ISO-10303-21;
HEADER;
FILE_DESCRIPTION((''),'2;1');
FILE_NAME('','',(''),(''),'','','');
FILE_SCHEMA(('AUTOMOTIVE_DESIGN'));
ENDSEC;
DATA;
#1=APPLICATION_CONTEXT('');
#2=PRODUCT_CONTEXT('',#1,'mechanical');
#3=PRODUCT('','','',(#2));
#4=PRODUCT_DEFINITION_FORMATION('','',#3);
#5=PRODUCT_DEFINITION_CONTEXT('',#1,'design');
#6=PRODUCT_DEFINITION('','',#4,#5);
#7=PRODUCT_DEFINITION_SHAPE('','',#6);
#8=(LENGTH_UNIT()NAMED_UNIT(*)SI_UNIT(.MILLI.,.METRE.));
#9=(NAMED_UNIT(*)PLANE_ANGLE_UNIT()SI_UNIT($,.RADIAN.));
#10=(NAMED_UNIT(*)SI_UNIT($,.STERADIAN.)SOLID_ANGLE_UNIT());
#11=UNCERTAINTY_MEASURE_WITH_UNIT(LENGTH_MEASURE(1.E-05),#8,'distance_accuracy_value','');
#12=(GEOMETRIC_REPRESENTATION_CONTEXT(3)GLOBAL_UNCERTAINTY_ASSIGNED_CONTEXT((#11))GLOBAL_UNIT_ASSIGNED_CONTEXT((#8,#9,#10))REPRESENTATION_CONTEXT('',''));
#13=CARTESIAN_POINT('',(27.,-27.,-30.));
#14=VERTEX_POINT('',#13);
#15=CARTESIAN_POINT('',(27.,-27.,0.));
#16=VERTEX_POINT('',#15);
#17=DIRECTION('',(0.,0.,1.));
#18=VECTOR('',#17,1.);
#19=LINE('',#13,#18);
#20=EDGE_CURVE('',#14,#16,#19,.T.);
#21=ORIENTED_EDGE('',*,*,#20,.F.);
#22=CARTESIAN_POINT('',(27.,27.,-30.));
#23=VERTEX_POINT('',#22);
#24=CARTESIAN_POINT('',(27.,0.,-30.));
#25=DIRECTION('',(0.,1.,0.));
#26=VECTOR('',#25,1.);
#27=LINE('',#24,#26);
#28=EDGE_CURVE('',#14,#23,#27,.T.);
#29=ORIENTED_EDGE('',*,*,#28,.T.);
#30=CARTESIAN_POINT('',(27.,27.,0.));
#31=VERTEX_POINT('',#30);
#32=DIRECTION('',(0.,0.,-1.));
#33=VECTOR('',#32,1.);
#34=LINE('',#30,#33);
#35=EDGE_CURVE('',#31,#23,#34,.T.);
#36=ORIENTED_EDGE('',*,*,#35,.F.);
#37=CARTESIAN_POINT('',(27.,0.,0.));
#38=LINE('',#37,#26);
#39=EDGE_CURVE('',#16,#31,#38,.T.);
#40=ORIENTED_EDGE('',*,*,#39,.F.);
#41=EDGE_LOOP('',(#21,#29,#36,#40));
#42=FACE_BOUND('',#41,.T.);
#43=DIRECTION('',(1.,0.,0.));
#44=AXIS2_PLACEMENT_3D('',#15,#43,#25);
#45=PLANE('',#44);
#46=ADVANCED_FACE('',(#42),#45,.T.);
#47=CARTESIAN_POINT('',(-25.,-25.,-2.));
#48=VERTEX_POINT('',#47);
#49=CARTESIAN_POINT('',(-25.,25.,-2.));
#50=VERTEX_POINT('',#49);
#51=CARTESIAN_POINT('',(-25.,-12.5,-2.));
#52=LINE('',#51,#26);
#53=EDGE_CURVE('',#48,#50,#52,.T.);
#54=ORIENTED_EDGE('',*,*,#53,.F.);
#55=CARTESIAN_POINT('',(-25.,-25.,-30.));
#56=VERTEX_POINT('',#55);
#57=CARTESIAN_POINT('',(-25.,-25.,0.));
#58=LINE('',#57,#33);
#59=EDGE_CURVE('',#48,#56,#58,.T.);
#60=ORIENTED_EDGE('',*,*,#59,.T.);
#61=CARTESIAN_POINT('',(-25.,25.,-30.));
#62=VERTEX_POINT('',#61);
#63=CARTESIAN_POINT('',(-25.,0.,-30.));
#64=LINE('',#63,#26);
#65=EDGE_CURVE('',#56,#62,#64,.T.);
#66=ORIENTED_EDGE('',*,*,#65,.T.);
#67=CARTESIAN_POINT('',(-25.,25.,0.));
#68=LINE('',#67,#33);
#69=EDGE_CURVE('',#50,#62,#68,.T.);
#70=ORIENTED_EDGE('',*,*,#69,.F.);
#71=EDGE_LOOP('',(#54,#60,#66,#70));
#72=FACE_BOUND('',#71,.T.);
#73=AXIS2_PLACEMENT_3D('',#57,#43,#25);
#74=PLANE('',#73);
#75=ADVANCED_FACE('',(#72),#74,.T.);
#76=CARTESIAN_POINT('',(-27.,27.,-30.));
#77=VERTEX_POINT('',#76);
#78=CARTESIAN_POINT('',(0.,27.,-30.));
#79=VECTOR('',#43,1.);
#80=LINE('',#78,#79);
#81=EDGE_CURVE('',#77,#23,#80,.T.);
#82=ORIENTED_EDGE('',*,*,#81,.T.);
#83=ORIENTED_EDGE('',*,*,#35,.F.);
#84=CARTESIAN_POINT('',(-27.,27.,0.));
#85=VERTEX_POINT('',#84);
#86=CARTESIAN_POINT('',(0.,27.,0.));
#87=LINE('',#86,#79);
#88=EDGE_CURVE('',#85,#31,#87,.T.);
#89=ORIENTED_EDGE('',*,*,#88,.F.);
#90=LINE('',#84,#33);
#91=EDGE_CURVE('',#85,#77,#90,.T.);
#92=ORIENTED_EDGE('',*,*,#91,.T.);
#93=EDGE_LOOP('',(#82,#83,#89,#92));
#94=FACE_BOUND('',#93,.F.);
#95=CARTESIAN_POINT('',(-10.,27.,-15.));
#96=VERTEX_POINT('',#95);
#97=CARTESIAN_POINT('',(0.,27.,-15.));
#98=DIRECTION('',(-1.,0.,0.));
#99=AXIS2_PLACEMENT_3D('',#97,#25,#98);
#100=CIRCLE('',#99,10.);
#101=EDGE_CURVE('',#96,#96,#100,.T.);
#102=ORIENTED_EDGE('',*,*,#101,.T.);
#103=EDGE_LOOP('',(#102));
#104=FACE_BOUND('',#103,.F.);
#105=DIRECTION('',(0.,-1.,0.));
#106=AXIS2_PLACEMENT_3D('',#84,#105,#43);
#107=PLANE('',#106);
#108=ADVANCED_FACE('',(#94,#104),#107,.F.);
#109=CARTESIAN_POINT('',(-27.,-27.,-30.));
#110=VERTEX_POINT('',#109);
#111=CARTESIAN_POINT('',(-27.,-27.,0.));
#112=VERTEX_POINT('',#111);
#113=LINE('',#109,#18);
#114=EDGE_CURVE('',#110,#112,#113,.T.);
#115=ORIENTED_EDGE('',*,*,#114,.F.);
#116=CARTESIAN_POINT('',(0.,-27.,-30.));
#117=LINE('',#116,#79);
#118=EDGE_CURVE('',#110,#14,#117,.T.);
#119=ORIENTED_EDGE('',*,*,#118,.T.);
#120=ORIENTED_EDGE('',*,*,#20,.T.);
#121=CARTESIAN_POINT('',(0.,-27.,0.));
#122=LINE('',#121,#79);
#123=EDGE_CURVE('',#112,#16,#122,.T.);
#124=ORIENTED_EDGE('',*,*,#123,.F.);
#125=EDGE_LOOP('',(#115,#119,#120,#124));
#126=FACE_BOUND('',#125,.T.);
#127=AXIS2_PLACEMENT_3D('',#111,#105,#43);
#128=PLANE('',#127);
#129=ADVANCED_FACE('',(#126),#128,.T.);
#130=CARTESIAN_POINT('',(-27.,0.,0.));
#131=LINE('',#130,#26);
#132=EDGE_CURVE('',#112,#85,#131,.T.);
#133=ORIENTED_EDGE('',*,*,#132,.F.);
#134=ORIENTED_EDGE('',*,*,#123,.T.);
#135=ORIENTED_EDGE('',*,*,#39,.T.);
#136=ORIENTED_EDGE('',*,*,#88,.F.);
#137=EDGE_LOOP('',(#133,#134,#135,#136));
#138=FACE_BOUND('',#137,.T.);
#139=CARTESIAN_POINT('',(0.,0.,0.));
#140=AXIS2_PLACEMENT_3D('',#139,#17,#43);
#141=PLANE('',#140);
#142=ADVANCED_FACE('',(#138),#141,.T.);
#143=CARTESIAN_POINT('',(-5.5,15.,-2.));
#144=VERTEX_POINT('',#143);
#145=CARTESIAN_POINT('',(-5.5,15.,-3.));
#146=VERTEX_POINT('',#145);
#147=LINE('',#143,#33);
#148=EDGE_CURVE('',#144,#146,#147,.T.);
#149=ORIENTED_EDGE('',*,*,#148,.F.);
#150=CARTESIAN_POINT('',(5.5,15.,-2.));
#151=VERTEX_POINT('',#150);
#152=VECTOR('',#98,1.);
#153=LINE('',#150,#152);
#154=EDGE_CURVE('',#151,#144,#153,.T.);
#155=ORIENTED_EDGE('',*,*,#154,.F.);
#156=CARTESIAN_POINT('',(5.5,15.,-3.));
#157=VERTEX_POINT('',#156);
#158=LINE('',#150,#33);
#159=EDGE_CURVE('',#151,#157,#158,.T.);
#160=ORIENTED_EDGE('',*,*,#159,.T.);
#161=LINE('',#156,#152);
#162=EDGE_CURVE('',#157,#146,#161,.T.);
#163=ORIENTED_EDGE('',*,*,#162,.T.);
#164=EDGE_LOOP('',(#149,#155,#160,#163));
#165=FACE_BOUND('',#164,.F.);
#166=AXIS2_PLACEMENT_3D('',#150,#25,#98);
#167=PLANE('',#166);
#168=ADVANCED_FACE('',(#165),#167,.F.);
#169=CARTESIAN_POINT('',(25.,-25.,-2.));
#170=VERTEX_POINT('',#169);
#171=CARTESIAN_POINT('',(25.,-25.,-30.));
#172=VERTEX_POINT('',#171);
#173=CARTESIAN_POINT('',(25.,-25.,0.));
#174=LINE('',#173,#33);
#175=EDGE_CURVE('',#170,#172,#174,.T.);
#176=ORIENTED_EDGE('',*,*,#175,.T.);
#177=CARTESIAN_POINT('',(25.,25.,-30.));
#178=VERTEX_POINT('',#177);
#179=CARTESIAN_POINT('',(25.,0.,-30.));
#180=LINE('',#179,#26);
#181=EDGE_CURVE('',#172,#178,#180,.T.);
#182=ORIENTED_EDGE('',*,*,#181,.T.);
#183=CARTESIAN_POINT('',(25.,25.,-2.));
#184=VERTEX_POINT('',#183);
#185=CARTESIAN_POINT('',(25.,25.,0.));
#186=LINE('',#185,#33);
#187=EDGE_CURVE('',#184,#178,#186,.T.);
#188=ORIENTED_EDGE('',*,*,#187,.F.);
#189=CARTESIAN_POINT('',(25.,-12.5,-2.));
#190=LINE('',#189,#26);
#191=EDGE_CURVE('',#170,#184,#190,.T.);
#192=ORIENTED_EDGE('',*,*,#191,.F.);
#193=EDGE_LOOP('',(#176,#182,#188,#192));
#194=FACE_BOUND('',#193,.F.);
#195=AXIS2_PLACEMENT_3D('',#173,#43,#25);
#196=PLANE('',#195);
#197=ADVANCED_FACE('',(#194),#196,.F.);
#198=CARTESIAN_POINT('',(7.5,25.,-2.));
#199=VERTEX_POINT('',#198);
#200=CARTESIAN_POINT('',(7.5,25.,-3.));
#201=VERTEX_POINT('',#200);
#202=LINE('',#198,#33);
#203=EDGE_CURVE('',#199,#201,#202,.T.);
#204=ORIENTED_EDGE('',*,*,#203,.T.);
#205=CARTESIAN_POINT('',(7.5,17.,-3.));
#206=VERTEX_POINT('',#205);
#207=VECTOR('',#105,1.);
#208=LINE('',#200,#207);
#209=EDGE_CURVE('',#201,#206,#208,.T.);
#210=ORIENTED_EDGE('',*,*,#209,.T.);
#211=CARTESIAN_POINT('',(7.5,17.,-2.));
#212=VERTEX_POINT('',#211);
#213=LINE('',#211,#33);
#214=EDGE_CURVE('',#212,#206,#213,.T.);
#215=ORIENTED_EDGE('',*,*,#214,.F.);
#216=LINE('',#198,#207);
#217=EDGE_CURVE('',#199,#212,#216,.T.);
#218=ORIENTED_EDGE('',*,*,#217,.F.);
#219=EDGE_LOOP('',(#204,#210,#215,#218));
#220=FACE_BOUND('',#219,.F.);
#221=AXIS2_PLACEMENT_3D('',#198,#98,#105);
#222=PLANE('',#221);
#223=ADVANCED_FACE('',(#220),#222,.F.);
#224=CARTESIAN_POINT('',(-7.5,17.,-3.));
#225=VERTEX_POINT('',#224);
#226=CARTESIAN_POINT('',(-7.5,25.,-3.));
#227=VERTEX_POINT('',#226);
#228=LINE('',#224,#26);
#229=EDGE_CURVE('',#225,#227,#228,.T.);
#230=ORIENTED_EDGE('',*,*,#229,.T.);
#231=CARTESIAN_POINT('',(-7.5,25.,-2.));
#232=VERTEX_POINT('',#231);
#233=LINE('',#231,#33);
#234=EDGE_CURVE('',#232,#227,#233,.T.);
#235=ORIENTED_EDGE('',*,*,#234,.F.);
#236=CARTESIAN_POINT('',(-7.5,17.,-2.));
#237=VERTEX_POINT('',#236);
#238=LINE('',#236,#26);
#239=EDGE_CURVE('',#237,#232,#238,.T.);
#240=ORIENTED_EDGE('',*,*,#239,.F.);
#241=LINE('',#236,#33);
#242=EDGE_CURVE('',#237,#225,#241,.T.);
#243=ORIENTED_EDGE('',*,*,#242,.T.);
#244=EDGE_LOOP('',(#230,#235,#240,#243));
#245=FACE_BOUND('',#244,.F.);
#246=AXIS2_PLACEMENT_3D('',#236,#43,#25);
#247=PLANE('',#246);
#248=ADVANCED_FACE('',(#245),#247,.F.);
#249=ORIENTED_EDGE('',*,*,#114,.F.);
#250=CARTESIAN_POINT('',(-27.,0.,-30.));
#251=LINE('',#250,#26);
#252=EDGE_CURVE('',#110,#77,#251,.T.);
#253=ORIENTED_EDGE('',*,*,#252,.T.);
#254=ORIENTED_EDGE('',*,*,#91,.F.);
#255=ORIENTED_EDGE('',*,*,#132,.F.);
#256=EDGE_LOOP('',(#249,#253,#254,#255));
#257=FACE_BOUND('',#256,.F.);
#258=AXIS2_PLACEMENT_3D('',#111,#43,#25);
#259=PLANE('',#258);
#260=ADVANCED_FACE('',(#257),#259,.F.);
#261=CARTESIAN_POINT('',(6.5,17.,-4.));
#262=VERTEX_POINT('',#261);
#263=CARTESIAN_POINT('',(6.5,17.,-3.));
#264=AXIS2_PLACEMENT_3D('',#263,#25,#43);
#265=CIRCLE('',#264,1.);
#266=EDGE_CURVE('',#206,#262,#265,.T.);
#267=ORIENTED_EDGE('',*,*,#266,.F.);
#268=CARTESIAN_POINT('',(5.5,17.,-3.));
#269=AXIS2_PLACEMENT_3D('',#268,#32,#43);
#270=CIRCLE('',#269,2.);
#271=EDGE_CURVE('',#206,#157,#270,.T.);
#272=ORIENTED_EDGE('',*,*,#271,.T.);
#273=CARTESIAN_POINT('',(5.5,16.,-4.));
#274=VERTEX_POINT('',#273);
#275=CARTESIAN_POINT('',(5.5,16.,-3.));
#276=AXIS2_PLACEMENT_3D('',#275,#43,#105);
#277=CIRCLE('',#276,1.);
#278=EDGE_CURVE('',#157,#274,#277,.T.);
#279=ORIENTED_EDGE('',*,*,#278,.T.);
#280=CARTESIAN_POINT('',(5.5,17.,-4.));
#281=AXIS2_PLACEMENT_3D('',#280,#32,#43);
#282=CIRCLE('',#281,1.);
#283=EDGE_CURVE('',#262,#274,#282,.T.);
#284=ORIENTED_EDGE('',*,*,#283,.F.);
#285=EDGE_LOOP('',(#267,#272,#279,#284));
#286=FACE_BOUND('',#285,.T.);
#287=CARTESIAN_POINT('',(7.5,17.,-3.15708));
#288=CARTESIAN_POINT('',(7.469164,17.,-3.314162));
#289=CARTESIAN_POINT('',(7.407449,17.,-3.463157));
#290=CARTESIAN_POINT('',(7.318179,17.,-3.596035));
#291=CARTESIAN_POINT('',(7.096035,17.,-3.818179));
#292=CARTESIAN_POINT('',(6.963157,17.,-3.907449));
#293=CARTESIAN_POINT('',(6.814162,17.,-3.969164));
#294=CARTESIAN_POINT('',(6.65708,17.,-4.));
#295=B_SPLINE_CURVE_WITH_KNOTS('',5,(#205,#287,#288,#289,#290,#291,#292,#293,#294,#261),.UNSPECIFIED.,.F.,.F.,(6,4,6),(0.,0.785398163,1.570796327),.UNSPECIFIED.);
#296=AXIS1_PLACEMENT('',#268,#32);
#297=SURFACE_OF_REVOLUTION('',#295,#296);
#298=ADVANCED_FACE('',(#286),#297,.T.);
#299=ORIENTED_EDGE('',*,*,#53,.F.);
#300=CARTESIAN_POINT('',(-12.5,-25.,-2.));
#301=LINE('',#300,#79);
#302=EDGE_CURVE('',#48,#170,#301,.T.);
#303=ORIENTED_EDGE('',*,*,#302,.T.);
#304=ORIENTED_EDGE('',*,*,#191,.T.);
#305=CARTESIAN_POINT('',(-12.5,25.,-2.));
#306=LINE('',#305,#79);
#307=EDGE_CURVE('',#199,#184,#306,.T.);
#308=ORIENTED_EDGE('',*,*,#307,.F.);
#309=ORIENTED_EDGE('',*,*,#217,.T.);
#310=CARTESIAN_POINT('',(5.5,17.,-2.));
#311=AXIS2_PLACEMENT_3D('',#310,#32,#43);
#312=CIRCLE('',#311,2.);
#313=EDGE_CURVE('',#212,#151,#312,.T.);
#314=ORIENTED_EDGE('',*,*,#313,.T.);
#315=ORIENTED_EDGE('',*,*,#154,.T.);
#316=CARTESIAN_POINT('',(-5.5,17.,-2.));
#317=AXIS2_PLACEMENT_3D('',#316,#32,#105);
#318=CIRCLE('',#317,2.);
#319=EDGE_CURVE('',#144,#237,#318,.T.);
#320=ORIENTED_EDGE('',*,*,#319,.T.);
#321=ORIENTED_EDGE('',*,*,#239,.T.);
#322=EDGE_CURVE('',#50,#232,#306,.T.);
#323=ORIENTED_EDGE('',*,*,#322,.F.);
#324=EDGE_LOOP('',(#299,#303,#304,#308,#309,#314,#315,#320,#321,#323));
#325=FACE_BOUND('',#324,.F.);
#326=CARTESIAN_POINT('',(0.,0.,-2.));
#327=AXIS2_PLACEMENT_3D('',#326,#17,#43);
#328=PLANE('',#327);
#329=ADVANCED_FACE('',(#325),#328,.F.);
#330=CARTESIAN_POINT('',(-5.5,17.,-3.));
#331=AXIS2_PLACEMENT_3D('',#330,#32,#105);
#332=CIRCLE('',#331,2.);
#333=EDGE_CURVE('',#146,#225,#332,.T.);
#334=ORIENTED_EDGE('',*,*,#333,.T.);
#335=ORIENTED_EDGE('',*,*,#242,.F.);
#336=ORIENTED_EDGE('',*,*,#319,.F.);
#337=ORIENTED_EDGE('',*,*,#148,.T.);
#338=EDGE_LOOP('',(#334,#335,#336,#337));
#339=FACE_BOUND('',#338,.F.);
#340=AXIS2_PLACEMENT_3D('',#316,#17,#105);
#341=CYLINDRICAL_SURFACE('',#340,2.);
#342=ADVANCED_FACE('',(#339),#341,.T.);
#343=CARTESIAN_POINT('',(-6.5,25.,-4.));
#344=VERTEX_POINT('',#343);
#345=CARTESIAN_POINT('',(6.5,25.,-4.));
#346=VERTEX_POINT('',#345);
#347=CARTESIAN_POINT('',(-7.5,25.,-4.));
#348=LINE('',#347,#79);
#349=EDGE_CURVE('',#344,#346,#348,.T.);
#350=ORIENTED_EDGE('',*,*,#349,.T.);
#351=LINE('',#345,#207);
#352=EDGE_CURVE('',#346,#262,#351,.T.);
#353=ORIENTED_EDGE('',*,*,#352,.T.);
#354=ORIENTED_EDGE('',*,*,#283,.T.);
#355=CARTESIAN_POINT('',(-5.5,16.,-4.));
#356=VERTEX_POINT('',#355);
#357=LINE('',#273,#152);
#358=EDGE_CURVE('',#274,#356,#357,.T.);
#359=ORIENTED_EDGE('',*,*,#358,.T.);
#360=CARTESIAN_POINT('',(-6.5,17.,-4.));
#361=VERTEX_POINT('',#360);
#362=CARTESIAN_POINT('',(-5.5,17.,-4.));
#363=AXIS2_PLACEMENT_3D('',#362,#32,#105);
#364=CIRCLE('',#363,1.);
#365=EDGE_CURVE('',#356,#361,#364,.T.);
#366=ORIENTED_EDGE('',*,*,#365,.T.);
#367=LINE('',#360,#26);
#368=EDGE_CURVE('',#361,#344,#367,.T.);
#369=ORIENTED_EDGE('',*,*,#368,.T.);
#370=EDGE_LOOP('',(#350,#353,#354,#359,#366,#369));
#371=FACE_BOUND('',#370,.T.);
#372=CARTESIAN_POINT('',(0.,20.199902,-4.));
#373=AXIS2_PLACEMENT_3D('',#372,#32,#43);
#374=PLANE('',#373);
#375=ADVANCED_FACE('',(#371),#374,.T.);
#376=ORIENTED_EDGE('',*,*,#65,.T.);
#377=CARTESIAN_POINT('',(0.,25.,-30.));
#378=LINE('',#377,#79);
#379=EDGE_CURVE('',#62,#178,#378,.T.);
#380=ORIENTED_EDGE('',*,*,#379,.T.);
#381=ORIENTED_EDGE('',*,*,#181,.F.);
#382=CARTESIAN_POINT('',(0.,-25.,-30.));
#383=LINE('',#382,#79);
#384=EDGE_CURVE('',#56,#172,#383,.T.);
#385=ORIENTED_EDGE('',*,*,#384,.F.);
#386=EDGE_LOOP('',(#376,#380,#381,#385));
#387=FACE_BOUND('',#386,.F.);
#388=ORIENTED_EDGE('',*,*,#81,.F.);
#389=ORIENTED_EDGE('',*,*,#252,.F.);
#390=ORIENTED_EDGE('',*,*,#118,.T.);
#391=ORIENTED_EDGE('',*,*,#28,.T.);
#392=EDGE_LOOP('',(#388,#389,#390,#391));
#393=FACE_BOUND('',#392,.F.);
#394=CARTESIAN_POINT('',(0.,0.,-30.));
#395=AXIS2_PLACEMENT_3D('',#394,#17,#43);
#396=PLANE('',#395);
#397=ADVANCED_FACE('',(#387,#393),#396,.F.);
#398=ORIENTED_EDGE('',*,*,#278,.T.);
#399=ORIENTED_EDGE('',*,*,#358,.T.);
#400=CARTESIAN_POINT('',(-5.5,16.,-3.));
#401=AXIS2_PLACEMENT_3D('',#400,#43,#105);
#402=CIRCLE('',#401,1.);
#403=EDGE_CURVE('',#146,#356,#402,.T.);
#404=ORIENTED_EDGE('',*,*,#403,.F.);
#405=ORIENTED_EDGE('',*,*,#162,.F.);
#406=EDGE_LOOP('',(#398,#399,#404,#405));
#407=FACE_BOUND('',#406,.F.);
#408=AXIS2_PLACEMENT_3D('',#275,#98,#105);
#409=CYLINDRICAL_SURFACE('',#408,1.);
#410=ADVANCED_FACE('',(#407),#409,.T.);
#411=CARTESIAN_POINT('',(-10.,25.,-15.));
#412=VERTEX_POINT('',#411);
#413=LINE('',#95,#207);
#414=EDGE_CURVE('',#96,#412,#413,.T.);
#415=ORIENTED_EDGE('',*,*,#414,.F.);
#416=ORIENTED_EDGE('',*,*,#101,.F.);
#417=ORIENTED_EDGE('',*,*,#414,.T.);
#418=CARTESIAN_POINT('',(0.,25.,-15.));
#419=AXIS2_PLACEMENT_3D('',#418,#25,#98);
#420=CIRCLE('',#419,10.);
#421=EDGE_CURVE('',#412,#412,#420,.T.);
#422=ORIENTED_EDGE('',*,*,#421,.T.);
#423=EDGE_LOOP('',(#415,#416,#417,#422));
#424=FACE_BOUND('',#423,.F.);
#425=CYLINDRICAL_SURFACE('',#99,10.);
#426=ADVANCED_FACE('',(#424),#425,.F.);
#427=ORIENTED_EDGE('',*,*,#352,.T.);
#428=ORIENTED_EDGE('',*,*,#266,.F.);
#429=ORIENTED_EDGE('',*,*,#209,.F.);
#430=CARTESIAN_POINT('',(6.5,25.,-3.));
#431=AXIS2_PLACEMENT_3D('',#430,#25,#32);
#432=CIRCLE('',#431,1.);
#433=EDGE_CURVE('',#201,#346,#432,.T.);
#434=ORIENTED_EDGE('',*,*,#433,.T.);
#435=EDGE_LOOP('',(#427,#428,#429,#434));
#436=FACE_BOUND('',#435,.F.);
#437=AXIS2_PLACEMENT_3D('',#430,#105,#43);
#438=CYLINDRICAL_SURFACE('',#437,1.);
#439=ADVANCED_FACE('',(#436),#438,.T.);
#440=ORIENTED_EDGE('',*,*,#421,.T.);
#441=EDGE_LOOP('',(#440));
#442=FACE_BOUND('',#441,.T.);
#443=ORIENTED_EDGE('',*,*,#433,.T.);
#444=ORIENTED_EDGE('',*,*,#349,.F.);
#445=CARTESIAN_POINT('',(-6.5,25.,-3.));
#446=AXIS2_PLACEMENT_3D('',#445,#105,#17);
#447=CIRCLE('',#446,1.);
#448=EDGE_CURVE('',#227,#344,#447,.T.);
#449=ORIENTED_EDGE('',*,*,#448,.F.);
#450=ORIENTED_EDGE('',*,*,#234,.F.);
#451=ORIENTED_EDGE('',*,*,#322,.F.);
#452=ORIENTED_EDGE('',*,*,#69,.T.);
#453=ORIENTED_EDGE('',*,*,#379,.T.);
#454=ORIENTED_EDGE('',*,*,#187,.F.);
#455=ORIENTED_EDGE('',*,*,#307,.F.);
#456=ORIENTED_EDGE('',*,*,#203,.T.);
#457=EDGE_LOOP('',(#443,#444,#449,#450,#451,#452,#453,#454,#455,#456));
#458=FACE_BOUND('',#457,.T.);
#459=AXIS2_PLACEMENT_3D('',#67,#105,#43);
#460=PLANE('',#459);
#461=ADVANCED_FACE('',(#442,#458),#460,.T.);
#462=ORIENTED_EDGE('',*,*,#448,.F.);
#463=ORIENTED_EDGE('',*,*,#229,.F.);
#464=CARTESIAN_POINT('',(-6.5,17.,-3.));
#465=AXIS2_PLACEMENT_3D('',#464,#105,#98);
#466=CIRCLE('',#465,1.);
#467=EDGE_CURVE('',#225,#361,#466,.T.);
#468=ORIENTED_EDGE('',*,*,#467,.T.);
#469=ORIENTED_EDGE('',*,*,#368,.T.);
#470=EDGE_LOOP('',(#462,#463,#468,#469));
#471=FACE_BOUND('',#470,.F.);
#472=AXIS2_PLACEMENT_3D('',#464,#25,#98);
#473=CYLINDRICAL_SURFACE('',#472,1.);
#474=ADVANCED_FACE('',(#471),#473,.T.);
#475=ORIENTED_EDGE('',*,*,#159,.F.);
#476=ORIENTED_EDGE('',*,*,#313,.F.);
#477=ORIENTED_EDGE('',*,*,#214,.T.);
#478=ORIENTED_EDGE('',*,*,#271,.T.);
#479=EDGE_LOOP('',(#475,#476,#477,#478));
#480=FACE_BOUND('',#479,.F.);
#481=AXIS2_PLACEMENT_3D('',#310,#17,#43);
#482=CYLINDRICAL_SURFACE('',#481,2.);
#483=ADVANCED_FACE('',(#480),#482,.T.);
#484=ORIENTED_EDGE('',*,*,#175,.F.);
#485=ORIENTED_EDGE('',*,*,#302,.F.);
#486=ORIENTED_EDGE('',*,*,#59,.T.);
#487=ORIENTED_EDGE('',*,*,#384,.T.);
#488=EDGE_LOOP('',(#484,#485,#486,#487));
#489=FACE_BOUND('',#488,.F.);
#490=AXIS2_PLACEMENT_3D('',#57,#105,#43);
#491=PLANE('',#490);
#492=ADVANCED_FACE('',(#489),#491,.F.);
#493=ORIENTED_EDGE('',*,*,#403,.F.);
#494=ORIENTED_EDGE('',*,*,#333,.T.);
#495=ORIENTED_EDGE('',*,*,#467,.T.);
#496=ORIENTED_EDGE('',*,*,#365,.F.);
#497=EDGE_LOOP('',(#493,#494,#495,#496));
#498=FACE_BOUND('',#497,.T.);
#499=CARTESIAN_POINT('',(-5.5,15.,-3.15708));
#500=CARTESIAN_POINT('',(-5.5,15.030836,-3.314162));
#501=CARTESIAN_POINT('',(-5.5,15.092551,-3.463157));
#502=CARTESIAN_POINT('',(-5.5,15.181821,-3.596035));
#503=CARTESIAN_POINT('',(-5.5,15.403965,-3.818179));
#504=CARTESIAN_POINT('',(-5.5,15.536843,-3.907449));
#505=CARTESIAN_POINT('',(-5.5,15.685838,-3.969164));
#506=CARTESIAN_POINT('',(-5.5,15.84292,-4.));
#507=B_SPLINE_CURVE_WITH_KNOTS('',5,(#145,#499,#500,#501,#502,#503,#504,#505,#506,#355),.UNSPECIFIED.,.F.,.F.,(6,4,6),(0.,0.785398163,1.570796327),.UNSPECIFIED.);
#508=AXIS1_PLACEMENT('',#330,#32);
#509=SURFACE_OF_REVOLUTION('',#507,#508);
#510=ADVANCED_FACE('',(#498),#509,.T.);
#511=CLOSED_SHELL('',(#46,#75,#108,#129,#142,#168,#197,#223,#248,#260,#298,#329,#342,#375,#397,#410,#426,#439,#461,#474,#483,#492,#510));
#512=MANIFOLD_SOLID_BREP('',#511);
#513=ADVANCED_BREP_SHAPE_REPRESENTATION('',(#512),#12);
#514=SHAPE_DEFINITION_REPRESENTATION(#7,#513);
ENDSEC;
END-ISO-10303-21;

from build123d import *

# Parameters (mm, degrees)
F0_W     = 54
F0_H     = 54
F0_W_2   = 50
F0_H_2   = 50
F1_DEPTH = 2
F2_DEPTH = 30
F3_R     = 10
F4_DEPTH = 2
F6_DEPTH = 2
F7_R     = 1


with BuildPart() as f1:
    # F0 (on Top) → F1 (new body)
    with BuildSketch(Plane.XY):
        Rectangle(F0_W, F0_H)
        Rectangle(F0_W_2, F0_H_2, mode=Mode.SUBTRACT)
        Rectangle(F0_W_2, F0_H_2)
    extrude(amount=-F1_DEPTH)

    # F0 (on Top) → F2 (join)
    with BuildSketch(Plane.XY):
        Rectangle(F0_W, F0_H)
        Rectangle(F0_W_2, F0_H_2, mode=Mode.SUBTRACT)
    extrude(amount=-F2_DEPTH)

    # F3 (on face) → F4 (cut, through all)
    with BuildSketch(Plane(origin=(0, 27, 0), x_dir=(-1, 0, 0), z_dir=(0, 1, 0))):
        with Locations((0, -15)):
            Circle(F3_R)
    extrude(amount=-F4_DEPTH, mode=Mode.SUBTRACT)

    # F5 (on face) → F6 (join)
    with BuildSketch(Plane(origin=(0, 0, -2), x_dir=(1, 0, 0), z_dir=(0, 0, -1))):
        with BuildLine():
            Line((-7.5, -17), (-7.5, -25))
            Line((-7.5, -25), (7.5, -25))
            Line((7.5, -25), (7.5, -17))
            ThreePointArc((7.5, -17), (6.9142135624, -15.5857864376), (5.5, -15))
            Line((5.5, -15), (-5.5, -15))
            ThreePointArc((-5.5, -15), (-6.9142135624, -15.5857864376), (-7.5, -17))
        make_face()
    extrude(amount=F6_DEPTH)

    # F7
    f7_edges = [f1.edges().sort_by_distance(p)[0] for p in [
        (-7.5, 21, -4),
        (-6.914214, 15.585786, -4),
        (0, 15, -4),
        (6.914214, 15.585786, -4),
        (7.5, 21, -4),
    ]]
    fillet(f7_edges, radius=F7_R)


solid = f1.part
